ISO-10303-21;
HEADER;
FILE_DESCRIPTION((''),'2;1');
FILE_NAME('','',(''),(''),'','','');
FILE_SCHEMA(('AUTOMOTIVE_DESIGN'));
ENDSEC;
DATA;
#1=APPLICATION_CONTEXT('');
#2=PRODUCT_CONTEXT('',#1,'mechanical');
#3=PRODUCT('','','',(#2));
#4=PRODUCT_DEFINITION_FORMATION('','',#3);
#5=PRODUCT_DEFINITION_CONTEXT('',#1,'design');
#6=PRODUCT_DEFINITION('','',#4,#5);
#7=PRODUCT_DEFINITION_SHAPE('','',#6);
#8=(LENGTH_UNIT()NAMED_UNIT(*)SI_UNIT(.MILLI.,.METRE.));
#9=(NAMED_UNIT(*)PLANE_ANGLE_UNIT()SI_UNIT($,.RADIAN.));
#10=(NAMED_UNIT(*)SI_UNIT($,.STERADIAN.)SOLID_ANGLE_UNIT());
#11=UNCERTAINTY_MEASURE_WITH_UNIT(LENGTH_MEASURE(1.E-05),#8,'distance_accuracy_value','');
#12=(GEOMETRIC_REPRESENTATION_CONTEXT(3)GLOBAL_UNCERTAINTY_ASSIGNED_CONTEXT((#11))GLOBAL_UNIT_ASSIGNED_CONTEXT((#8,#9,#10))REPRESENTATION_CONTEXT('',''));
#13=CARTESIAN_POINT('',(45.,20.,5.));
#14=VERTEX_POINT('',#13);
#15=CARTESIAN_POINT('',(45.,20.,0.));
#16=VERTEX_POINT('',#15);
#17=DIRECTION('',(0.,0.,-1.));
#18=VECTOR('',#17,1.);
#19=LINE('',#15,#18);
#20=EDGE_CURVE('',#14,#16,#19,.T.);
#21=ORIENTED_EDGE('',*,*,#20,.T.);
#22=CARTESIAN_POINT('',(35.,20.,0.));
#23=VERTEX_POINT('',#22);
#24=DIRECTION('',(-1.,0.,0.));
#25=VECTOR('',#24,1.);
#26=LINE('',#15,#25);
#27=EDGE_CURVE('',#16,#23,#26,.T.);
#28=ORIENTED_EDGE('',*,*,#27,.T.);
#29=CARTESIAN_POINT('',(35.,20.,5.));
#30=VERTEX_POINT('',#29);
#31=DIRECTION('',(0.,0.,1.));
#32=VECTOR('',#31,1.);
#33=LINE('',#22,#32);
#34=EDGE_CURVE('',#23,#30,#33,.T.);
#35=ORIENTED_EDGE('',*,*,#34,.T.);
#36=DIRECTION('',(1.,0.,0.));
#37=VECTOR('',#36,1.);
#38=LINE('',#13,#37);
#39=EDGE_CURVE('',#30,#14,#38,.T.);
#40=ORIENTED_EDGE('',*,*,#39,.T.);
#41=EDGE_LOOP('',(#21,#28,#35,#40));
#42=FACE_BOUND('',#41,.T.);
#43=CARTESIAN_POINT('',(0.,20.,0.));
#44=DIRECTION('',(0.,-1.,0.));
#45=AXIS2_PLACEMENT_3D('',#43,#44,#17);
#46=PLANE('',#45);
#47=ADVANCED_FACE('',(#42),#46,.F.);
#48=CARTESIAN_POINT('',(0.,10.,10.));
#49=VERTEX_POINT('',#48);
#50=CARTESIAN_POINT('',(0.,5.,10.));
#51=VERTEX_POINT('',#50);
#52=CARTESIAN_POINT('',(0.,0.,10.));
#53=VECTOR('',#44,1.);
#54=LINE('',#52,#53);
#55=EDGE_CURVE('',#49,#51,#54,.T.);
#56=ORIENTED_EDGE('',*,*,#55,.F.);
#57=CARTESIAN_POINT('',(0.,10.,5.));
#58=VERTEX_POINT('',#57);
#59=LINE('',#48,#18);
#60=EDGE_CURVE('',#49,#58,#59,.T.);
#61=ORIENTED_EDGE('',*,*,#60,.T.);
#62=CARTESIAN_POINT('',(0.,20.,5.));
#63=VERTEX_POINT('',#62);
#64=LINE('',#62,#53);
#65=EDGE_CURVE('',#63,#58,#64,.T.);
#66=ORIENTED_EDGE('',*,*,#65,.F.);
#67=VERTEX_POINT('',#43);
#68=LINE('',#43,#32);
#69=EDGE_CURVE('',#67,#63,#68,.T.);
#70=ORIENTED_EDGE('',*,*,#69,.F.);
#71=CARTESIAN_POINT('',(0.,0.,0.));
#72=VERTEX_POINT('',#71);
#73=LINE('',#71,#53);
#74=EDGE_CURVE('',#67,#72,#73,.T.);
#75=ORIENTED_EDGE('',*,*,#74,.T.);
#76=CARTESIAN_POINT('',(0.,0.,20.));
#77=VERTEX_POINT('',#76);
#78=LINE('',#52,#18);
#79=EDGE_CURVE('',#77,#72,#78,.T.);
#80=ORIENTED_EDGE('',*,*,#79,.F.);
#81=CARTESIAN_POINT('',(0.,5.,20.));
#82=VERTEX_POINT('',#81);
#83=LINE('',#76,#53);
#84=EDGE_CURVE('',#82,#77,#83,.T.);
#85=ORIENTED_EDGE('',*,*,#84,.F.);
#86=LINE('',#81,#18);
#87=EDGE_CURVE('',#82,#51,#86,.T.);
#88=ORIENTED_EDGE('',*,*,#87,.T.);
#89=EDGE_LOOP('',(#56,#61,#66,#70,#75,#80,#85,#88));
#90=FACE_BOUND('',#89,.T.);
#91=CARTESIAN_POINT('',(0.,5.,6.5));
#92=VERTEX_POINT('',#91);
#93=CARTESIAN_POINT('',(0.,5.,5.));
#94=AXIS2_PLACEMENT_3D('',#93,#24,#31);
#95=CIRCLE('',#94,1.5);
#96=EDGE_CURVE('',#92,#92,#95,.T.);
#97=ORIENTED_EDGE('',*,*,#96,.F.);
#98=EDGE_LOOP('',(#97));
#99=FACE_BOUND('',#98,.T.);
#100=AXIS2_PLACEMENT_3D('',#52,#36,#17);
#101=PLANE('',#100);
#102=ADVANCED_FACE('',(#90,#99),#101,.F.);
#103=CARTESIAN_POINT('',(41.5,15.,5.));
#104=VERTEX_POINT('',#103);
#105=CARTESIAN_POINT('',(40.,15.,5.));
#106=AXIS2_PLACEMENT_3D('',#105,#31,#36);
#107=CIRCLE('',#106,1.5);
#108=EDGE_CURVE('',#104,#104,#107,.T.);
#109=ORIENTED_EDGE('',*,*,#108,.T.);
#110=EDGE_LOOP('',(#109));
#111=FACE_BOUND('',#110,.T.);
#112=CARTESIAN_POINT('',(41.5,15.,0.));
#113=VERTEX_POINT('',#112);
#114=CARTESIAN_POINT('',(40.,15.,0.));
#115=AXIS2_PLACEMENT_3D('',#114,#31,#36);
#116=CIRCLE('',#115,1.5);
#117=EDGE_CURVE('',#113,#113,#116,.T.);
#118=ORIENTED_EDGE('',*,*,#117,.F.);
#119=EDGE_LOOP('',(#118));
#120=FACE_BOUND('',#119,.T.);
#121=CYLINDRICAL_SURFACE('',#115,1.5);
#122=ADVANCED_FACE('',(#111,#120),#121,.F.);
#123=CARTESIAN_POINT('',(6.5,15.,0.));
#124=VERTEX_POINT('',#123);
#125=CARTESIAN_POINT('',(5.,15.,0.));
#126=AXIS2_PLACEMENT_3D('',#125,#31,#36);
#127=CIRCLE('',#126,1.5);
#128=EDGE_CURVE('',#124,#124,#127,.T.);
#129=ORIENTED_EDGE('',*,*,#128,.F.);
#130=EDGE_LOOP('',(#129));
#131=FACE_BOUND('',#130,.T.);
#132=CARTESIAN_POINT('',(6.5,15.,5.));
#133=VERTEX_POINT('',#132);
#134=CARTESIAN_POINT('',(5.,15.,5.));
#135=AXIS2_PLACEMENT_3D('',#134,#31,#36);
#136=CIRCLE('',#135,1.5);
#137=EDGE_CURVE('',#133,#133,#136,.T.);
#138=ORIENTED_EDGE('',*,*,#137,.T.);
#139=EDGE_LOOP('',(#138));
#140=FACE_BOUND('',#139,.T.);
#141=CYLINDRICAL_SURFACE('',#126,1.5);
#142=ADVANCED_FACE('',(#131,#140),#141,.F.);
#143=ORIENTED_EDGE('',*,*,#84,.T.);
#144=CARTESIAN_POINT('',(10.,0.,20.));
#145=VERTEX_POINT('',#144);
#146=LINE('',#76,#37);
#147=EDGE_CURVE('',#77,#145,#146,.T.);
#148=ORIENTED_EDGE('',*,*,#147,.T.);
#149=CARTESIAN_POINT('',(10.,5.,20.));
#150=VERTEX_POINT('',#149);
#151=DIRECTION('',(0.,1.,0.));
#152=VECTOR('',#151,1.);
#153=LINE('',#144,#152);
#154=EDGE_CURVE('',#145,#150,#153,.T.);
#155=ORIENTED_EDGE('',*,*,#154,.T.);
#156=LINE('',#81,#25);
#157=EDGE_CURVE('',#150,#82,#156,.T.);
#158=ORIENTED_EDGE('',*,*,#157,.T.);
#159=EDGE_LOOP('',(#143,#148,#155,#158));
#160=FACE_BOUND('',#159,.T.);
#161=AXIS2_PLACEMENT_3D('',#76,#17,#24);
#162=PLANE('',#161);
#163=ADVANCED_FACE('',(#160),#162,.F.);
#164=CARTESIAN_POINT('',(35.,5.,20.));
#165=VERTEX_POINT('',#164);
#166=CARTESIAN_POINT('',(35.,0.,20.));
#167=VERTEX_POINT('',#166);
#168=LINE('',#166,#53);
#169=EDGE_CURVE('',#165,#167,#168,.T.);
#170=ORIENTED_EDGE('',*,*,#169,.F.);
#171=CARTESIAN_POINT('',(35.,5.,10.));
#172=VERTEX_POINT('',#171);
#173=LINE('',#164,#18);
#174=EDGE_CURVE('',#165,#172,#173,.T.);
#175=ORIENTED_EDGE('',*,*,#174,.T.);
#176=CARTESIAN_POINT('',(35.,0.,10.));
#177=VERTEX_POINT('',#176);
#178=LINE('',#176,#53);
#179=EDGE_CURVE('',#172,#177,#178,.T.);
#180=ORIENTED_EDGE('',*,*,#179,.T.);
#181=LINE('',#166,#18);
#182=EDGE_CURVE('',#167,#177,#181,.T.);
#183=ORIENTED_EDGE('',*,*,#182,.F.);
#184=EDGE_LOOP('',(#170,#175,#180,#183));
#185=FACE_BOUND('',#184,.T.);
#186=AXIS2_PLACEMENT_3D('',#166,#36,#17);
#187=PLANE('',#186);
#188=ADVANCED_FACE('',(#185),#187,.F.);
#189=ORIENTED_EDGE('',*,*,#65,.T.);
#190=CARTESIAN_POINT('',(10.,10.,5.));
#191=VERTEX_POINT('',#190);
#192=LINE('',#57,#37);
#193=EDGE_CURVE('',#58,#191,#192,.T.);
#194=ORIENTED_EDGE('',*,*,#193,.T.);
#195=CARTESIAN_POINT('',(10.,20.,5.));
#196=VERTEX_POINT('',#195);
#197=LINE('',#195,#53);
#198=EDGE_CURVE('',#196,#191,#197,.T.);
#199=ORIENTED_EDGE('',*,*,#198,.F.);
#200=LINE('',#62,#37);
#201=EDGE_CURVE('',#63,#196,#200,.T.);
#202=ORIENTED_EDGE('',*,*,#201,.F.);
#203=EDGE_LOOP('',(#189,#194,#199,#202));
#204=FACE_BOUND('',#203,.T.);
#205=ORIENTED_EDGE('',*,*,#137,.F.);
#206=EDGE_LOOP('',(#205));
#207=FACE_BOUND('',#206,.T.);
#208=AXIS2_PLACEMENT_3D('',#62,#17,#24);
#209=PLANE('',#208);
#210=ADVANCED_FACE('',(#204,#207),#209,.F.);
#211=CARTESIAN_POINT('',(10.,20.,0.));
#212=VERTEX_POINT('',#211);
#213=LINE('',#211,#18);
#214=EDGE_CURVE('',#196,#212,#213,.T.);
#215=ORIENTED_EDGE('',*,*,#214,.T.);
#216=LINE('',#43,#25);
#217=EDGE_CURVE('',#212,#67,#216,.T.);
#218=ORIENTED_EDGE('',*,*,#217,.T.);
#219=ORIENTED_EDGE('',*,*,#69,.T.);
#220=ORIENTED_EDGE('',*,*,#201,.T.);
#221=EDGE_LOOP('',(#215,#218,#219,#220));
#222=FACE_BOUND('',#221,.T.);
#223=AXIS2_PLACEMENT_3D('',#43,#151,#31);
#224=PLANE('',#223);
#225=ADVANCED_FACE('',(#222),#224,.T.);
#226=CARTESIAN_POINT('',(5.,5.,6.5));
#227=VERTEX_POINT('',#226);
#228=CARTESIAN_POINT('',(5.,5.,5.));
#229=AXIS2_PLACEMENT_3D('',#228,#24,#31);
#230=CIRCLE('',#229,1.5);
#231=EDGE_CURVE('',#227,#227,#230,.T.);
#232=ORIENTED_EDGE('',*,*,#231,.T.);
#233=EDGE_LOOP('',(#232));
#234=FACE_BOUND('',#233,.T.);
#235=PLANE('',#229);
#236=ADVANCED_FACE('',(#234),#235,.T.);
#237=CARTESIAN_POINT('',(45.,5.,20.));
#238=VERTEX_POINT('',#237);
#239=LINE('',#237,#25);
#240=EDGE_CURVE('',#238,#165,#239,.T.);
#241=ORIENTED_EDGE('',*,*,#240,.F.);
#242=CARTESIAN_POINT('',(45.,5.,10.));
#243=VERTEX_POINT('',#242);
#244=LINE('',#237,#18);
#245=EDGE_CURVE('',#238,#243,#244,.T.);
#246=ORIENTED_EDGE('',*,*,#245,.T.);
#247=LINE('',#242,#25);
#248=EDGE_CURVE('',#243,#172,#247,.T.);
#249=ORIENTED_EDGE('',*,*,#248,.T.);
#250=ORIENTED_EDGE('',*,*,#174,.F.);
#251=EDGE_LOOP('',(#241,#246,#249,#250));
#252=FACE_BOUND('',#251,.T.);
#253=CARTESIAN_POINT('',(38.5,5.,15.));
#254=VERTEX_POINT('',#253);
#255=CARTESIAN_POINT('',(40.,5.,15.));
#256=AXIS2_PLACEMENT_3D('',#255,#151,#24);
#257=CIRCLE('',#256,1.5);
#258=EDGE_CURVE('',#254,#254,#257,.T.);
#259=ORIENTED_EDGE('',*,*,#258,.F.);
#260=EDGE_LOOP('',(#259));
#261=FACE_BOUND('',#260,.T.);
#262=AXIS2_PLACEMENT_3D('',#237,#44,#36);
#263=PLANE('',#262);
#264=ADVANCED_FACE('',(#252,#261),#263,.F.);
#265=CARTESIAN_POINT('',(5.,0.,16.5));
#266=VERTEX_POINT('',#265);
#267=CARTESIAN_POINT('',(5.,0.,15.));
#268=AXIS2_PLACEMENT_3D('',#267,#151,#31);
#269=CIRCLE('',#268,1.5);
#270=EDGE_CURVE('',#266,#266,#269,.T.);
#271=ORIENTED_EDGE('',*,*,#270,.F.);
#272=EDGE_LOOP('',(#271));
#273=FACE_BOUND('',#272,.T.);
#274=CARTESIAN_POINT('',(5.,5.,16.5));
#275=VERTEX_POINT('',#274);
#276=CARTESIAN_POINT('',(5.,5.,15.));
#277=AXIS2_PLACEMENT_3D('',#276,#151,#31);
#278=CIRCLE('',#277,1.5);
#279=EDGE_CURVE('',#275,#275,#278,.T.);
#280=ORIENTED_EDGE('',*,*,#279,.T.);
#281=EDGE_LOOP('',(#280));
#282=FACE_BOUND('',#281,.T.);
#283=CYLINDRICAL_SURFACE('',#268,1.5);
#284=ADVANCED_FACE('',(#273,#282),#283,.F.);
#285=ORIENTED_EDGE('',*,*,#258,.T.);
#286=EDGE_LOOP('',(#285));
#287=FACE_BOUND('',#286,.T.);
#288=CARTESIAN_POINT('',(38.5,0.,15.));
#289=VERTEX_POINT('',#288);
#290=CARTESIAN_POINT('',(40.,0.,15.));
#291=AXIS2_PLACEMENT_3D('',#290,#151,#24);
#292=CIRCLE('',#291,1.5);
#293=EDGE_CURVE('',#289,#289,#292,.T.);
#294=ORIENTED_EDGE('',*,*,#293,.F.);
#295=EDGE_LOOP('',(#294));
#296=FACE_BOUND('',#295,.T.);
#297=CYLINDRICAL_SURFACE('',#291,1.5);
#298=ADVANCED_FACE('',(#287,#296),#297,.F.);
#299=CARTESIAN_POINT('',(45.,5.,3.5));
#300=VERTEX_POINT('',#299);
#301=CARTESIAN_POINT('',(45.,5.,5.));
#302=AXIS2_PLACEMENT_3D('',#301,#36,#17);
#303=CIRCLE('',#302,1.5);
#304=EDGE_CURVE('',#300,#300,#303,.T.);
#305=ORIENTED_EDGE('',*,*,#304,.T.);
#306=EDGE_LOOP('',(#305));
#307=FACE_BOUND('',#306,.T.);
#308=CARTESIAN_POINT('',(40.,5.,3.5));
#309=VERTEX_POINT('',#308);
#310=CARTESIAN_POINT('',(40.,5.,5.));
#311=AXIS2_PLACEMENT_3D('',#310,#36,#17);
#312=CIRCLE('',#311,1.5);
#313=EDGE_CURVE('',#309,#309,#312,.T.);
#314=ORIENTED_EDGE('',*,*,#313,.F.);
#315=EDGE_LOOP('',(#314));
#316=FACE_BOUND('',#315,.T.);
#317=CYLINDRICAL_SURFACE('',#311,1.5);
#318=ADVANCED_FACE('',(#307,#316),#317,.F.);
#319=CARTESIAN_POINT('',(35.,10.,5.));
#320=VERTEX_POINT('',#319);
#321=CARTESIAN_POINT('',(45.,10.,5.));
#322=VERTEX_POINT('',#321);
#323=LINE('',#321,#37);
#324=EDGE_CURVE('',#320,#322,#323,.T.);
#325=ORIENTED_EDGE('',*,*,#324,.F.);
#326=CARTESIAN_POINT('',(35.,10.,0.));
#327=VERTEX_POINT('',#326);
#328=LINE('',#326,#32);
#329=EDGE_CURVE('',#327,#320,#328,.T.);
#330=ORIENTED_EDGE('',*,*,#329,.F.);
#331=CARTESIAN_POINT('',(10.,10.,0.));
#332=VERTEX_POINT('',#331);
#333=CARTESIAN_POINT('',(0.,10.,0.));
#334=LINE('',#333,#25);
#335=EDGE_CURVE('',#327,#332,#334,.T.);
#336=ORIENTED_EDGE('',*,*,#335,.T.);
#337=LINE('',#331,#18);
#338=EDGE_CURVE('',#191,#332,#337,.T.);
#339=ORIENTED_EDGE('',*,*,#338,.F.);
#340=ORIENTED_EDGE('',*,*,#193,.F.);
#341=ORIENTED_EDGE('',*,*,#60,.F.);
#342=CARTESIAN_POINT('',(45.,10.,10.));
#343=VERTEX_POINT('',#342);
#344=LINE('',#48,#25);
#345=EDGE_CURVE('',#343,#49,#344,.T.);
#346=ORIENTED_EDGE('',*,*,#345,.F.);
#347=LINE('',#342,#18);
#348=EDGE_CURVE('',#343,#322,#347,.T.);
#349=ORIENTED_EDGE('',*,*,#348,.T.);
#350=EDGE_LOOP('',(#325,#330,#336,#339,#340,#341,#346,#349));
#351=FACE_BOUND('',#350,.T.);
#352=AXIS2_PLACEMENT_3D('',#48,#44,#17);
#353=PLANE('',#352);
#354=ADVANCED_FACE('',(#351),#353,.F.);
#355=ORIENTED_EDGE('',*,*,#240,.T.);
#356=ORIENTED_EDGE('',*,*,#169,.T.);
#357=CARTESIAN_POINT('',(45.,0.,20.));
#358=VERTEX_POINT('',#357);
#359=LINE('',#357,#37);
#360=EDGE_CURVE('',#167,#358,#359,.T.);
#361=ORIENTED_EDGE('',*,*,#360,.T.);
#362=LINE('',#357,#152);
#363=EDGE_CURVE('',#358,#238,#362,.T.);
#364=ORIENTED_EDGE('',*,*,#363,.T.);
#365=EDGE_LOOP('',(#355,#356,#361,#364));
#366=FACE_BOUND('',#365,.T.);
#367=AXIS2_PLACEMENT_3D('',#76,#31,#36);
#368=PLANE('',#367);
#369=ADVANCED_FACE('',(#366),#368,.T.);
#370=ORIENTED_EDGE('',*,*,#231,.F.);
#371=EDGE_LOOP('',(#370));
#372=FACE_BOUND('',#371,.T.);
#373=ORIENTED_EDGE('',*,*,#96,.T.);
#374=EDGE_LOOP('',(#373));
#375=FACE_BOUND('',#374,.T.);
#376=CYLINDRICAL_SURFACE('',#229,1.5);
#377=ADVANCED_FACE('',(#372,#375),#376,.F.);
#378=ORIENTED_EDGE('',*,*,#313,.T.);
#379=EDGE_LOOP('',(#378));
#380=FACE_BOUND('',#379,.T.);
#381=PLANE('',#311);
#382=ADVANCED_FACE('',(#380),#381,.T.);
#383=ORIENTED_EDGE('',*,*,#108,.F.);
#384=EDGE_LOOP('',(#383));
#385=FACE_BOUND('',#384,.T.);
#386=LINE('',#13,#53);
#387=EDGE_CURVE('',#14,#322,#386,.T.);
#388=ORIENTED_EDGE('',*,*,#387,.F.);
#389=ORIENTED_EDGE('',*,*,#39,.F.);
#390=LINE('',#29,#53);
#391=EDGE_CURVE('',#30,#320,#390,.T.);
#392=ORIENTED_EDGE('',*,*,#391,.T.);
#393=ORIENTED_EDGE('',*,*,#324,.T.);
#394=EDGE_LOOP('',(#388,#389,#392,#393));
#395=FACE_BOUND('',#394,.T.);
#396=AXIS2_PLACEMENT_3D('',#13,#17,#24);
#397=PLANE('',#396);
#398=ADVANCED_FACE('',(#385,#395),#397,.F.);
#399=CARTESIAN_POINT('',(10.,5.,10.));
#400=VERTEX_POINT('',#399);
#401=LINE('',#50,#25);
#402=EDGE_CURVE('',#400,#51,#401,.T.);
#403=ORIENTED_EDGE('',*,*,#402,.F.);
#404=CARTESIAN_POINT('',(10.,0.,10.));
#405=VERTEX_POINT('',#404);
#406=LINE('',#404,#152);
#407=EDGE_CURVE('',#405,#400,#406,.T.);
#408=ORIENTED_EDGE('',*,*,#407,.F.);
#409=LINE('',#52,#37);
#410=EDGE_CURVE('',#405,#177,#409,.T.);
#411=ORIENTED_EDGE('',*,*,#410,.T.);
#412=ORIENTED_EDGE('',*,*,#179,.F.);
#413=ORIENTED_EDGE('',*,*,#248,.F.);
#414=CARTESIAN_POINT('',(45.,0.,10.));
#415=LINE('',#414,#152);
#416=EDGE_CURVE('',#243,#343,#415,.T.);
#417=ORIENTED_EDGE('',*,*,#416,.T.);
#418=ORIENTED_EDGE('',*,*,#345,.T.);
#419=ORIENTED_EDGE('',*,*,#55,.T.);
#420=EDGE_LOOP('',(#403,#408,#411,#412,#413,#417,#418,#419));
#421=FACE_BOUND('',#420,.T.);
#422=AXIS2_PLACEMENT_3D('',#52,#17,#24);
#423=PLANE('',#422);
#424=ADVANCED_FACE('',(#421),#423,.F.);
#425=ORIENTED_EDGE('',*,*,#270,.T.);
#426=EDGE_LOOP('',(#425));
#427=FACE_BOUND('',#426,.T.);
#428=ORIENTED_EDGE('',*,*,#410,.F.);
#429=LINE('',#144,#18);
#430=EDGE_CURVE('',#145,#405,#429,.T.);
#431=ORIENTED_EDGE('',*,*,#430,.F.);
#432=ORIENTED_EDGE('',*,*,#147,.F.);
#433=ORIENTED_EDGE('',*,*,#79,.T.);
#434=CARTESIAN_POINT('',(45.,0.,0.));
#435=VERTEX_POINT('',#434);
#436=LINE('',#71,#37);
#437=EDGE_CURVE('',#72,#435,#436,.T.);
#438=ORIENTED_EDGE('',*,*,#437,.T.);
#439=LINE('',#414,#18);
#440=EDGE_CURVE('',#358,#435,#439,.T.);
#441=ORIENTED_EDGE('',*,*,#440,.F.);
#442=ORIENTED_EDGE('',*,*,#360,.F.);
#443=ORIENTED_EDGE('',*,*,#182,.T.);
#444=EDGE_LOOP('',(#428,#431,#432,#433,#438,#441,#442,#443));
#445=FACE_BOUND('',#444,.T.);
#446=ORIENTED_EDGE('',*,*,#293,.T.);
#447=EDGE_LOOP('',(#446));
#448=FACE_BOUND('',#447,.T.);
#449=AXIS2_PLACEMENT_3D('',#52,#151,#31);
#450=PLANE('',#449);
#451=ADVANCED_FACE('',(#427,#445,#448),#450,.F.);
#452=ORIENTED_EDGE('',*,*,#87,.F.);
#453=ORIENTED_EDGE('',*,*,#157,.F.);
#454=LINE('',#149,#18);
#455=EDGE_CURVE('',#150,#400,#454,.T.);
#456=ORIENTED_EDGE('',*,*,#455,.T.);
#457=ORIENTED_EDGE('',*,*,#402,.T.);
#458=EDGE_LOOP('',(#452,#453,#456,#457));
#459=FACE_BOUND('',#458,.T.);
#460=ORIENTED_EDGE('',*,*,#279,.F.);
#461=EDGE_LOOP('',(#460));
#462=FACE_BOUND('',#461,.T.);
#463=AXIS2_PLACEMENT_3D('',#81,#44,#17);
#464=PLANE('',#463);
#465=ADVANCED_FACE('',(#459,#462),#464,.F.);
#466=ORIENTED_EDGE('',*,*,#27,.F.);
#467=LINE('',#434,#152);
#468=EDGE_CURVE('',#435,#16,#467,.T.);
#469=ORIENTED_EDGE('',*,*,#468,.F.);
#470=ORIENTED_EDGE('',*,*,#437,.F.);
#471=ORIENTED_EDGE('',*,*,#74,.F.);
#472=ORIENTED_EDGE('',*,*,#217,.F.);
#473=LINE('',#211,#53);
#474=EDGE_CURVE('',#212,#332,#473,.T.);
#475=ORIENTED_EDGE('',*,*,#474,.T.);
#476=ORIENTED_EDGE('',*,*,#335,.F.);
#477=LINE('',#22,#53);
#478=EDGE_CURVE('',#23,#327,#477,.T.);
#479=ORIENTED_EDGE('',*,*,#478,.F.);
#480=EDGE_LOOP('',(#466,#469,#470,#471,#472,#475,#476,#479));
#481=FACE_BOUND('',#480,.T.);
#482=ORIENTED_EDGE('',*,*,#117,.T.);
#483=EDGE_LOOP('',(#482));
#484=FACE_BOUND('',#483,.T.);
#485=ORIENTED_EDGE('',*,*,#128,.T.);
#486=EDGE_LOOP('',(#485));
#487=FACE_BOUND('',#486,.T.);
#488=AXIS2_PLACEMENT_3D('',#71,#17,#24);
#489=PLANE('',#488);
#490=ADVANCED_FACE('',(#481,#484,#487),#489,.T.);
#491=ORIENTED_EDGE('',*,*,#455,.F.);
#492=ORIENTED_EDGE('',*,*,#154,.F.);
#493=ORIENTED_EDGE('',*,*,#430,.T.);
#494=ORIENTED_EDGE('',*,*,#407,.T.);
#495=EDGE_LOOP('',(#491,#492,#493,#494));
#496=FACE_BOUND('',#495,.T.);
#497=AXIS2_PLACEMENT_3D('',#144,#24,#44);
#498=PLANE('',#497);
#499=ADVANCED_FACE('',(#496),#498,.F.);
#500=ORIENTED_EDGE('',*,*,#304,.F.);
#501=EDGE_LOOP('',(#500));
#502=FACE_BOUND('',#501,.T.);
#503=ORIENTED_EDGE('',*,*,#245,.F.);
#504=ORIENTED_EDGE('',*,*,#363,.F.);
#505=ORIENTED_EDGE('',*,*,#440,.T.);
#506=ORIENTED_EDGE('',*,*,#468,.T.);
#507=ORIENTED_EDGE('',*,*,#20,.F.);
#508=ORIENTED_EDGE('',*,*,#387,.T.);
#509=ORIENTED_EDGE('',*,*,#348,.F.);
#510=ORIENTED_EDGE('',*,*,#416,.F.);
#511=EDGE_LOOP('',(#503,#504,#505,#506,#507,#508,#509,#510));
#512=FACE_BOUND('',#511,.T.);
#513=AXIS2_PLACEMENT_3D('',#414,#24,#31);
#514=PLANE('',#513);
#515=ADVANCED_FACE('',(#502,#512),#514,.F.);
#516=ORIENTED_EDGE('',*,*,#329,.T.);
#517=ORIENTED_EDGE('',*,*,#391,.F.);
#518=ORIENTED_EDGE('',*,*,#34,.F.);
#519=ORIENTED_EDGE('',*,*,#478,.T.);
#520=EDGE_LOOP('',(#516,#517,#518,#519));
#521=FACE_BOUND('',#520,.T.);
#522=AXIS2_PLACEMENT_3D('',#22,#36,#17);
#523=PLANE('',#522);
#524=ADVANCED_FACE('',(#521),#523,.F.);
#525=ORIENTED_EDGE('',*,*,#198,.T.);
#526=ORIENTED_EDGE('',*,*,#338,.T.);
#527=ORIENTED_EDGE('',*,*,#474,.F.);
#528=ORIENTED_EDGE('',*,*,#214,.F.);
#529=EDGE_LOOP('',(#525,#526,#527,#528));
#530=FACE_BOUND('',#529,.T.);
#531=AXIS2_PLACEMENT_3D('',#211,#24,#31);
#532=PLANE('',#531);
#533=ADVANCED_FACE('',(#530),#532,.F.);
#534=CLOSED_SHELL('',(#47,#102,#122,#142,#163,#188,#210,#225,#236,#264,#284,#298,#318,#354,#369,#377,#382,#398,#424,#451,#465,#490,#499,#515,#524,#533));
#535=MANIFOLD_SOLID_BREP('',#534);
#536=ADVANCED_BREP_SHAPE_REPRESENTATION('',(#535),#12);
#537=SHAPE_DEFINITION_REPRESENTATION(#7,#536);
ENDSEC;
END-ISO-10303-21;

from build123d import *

# Parameters (mm, degrees)
SKETCH1_W           = 45
SKETCH1_H           = 10
BOSS_EXTRUDE1_DEPTH = 10
SKETCH2_W           = 10
SKETCH2_H           = 5
BOSS_EXTRUDE2_DEPTH = 10
SKETCH3_W           = 10
SKETCH3_H           = 5
BOSS_EXTRUDE3_DEPTH = 10
SKETCH4_R           = 1.5
CUT_EXTRUDE1_DEPTH  = 5
SKETCH5_R           = 1.5
CUT_EXTRUDE2_DEPTH  = 5
SKETCH6_R           = 1.5
CUT_EXTRUDE3_DEPTH  = 5
CUT_EXTRUDE4_START  = -5
SKETCH7_R           = 1.5
CUT_EXTRUDE4_DEPTH  = 5
SKETCH8_R           = 1.5
CUT_EXTRUDE5_DEPTH  = 5
SKETCH9_R           = 1.5
CUT_EXTRUDE6_DEPTH  = 5


with BuildPart() as part:
    # Sketch1 → Boss-Extrude1 (new body)
    with BuildSketch(Plane.XY):
        with Locations((22.5, 5)):
            Rectangle(SKETCH1_W, SKETCH1_H)
    extrude(amount=BOSS_EXTRUDE1_DEPTH)

    # Sketch2 → Boss-Extrude2 (add)
    with BuildSketch(Plane(origin=(0, 10, 0), x_dir=(1, 0, 0), z_dir=(0, 1, 0))):
        with Locations((5, -2.5)):
            Rectangle(SKETCH2_W, SKETCH2_H)
        with Locations((40, -2.5)):
            Rectangle(SKETCH2_W, SKETCH2_H)
    extrude(amount=BOSS_EXTRUDE2_DEPTH)

    # Sketch3 → Boss-Extrude3 (add)
    with BuildSketch(Plane.XY.offset(10)):
        with Locations((5, 2.5)):
            Rectangle(SKETCH3_W, SKETCH3_H)
        with Locations((40, 2.5)):
            Rectangle(SKETCH3_W, SKETCH3_H)
    extrude(amount=BOSS_EXTRUDE3_DEPTH)

    # Sketch4 → Cut-Extrude1 (cut)
    with BuildSketch(Plane.ZY):
        with Locations((5, 5)):
            Circle(SKETCH4_R)
    extrude(amount=-CUT_EXTRUDE1_DEPTH, mode=Mode.SUBTRACT)

    # Sketch5 → Cut-Extrude2 (cut)
    with BuildSketch(Plane.XY.offset(5)):
        with Locations((5, 15)):
            Circle(SKETCH5_R)
    extrude(amount=-CUT_EXTRUDE2_DEPTH, mode=Mode.SUBTRACT)

    # Sketch6 → Cut-Extrude3 (cut)
    with BuildSketch(Plane(origin=(0, 5, 0), x_dir=(1, 0, 0), z_dir=(0, 1, 0))):
        with Locations(Location((5, -15, 0), (0, 0, 270))):
            Circle(SKETCH6_R)
    extrude(amount=-CUT_EXTRUDE3_DEPTH, mode=Mode.SUBTRACT)

    # Sketch7 → Cut-Extrude4 (cut)
    with BuildSketch(Plane(origin=(45, 0, 0), x_dir=(0, 0, -1), z_dir=(1, 0, 0)).offset(CUT_EXTRUDE4_START)):
        with Locations(Location((-5, 5, 0), (0, 0, 180))):
            Circle(SKETCH7_R)
    extrude(amount=CUT_EXTRUDE4_DEPTH, mode=Mode.SUBTRACT)

    # Sketch8 → Cut-Extrude5 (cut)
    with BuildSketch(Plane.XY.offset(5)):
        with Locations((40, 15)):
            Circle(SKETCH8_R)
    extrude(amount=-CUT_EXTRUDE5_DEPTH, mode=Mode.SUBTRACT)

    # Sketch9 → Cut-Extrude6 (cut)
    with BuildSketch(Plane(origin=(0, 5, 0), x_dir=(1, 0, 0), z_dir=(0, 1, 0))):
        with Locations(Location((40, -15, 0), (0, 0, 180))):
            Circle(SKETCH9_R)
    extrude(amount=-CUT_EXTRUDE6_DEPTH, mode=Mode.SUBTRACT)


solid = part.part
